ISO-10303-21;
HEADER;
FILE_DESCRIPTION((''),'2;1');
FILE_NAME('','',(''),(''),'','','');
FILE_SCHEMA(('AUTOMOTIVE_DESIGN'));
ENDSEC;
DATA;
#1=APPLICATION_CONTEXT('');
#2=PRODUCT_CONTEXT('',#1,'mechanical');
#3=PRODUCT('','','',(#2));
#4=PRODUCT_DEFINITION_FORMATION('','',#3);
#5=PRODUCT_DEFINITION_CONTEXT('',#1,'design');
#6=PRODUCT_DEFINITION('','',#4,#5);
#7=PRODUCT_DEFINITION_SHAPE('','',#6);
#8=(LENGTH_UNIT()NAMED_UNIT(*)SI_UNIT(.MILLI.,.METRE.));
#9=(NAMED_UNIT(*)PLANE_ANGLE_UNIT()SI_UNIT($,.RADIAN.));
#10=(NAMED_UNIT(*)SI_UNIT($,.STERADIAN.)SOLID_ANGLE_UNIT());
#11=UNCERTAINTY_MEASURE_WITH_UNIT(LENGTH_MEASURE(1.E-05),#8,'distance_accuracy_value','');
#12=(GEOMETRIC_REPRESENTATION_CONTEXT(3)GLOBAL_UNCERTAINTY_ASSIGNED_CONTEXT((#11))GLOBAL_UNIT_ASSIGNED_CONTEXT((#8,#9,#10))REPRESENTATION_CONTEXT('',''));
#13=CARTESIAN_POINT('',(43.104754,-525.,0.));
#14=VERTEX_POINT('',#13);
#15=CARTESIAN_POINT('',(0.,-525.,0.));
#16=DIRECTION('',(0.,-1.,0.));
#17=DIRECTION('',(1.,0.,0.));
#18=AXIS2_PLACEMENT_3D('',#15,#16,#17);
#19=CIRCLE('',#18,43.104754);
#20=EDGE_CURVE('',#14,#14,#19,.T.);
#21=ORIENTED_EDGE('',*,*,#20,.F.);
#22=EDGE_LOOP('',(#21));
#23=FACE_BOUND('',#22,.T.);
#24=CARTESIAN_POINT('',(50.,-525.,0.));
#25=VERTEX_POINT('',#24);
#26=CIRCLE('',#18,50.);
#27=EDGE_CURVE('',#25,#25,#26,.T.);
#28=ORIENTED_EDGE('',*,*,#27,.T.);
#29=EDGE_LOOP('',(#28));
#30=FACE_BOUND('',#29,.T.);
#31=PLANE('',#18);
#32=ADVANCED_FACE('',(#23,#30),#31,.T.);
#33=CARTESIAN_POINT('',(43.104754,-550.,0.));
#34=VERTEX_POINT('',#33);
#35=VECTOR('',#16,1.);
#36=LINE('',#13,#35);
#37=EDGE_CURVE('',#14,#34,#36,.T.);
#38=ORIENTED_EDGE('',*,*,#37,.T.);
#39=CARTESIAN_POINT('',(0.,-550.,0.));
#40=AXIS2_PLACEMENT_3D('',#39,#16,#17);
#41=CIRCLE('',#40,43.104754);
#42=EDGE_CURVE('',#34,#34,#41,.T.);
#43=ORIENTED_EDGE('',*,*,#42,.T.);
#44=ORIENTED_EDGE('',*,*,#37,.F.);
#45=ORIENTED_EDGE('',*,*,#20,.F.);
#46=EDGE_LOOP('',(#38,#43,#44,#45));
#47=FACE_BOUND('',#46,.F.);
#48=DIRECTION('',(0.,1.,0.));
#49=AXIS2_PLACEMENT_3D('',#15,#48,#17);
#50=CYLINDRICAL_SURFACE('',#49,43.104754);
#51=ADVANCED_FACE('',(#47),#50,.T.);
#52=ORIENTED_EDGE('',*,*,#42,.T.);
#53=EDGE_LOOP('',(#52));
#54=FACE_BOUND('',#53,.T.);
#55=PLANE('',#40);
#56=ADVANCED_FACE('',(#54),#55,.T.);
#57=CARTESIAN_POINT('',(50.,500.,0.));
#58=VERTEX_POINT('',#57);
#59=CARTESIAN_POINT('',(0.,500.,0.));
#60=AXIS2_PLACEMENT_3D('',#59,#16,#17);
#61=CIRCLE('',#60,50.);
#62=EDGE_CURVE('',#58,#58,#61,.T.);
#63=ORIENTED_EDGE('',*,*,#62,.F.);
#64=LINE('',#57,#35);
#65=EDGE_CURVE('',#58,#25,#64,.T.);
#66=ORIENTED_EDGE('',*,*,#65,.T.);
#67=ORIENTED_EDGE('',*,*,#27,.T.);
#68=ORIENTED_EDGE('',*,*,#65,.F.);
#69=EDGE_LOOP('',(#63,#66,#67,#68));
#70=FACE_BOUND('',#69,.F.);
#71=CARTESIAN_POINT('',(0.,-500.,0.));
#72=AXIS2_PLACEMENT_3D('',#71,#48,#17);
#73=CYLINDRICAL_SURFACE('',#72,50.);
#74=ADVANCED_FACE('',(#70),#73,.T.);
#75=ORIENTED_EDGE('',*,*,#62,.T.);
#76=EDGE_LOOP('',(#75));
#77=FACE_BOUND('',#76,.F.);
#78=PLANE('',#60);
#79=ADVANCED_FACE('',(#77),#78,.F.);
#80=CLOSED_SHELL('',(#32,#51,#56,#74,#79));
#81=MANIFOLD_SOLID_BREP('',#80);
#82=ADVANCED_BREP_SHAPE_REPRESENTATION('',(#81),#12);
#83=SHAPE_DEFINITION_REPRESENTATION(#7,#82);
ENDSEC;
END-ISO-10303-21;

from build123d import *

# Parameters (mm, degrees)
F0_R      = 50
F1_DEPTH  = 500
F2_R      = 44.431358
F1_FACE_R = 50
F3_DEPTH  = 25
F4_R      = 43.104754
F5_DEPTH  = 25


with BuildPart() as f1:
    # F0 (on Front) → F1 (new body, symmetric)
    with BuildSketch(Plane.XZ):
        Circle(F0_R)
    extrude(amount=F1_DEPTH, both=True)

    # F2 (on Front) + F1_face (on face) → F3 (join)
    with BuildSketch(Plane.XZ):
        Circle(F2_R)
    with BuildSketch(Plane.XZ.offset(500)):
        Circle(F1_FACE_R)
    extrude(amount=F3_DEPTH)

    # F4 (on face) → F5 (join)
    with BuildSketch(Plane.XZ.offset(525)):
        Circle(F4_R)
    extrude(amount=F5_DEPTH)


solid = f1.part
